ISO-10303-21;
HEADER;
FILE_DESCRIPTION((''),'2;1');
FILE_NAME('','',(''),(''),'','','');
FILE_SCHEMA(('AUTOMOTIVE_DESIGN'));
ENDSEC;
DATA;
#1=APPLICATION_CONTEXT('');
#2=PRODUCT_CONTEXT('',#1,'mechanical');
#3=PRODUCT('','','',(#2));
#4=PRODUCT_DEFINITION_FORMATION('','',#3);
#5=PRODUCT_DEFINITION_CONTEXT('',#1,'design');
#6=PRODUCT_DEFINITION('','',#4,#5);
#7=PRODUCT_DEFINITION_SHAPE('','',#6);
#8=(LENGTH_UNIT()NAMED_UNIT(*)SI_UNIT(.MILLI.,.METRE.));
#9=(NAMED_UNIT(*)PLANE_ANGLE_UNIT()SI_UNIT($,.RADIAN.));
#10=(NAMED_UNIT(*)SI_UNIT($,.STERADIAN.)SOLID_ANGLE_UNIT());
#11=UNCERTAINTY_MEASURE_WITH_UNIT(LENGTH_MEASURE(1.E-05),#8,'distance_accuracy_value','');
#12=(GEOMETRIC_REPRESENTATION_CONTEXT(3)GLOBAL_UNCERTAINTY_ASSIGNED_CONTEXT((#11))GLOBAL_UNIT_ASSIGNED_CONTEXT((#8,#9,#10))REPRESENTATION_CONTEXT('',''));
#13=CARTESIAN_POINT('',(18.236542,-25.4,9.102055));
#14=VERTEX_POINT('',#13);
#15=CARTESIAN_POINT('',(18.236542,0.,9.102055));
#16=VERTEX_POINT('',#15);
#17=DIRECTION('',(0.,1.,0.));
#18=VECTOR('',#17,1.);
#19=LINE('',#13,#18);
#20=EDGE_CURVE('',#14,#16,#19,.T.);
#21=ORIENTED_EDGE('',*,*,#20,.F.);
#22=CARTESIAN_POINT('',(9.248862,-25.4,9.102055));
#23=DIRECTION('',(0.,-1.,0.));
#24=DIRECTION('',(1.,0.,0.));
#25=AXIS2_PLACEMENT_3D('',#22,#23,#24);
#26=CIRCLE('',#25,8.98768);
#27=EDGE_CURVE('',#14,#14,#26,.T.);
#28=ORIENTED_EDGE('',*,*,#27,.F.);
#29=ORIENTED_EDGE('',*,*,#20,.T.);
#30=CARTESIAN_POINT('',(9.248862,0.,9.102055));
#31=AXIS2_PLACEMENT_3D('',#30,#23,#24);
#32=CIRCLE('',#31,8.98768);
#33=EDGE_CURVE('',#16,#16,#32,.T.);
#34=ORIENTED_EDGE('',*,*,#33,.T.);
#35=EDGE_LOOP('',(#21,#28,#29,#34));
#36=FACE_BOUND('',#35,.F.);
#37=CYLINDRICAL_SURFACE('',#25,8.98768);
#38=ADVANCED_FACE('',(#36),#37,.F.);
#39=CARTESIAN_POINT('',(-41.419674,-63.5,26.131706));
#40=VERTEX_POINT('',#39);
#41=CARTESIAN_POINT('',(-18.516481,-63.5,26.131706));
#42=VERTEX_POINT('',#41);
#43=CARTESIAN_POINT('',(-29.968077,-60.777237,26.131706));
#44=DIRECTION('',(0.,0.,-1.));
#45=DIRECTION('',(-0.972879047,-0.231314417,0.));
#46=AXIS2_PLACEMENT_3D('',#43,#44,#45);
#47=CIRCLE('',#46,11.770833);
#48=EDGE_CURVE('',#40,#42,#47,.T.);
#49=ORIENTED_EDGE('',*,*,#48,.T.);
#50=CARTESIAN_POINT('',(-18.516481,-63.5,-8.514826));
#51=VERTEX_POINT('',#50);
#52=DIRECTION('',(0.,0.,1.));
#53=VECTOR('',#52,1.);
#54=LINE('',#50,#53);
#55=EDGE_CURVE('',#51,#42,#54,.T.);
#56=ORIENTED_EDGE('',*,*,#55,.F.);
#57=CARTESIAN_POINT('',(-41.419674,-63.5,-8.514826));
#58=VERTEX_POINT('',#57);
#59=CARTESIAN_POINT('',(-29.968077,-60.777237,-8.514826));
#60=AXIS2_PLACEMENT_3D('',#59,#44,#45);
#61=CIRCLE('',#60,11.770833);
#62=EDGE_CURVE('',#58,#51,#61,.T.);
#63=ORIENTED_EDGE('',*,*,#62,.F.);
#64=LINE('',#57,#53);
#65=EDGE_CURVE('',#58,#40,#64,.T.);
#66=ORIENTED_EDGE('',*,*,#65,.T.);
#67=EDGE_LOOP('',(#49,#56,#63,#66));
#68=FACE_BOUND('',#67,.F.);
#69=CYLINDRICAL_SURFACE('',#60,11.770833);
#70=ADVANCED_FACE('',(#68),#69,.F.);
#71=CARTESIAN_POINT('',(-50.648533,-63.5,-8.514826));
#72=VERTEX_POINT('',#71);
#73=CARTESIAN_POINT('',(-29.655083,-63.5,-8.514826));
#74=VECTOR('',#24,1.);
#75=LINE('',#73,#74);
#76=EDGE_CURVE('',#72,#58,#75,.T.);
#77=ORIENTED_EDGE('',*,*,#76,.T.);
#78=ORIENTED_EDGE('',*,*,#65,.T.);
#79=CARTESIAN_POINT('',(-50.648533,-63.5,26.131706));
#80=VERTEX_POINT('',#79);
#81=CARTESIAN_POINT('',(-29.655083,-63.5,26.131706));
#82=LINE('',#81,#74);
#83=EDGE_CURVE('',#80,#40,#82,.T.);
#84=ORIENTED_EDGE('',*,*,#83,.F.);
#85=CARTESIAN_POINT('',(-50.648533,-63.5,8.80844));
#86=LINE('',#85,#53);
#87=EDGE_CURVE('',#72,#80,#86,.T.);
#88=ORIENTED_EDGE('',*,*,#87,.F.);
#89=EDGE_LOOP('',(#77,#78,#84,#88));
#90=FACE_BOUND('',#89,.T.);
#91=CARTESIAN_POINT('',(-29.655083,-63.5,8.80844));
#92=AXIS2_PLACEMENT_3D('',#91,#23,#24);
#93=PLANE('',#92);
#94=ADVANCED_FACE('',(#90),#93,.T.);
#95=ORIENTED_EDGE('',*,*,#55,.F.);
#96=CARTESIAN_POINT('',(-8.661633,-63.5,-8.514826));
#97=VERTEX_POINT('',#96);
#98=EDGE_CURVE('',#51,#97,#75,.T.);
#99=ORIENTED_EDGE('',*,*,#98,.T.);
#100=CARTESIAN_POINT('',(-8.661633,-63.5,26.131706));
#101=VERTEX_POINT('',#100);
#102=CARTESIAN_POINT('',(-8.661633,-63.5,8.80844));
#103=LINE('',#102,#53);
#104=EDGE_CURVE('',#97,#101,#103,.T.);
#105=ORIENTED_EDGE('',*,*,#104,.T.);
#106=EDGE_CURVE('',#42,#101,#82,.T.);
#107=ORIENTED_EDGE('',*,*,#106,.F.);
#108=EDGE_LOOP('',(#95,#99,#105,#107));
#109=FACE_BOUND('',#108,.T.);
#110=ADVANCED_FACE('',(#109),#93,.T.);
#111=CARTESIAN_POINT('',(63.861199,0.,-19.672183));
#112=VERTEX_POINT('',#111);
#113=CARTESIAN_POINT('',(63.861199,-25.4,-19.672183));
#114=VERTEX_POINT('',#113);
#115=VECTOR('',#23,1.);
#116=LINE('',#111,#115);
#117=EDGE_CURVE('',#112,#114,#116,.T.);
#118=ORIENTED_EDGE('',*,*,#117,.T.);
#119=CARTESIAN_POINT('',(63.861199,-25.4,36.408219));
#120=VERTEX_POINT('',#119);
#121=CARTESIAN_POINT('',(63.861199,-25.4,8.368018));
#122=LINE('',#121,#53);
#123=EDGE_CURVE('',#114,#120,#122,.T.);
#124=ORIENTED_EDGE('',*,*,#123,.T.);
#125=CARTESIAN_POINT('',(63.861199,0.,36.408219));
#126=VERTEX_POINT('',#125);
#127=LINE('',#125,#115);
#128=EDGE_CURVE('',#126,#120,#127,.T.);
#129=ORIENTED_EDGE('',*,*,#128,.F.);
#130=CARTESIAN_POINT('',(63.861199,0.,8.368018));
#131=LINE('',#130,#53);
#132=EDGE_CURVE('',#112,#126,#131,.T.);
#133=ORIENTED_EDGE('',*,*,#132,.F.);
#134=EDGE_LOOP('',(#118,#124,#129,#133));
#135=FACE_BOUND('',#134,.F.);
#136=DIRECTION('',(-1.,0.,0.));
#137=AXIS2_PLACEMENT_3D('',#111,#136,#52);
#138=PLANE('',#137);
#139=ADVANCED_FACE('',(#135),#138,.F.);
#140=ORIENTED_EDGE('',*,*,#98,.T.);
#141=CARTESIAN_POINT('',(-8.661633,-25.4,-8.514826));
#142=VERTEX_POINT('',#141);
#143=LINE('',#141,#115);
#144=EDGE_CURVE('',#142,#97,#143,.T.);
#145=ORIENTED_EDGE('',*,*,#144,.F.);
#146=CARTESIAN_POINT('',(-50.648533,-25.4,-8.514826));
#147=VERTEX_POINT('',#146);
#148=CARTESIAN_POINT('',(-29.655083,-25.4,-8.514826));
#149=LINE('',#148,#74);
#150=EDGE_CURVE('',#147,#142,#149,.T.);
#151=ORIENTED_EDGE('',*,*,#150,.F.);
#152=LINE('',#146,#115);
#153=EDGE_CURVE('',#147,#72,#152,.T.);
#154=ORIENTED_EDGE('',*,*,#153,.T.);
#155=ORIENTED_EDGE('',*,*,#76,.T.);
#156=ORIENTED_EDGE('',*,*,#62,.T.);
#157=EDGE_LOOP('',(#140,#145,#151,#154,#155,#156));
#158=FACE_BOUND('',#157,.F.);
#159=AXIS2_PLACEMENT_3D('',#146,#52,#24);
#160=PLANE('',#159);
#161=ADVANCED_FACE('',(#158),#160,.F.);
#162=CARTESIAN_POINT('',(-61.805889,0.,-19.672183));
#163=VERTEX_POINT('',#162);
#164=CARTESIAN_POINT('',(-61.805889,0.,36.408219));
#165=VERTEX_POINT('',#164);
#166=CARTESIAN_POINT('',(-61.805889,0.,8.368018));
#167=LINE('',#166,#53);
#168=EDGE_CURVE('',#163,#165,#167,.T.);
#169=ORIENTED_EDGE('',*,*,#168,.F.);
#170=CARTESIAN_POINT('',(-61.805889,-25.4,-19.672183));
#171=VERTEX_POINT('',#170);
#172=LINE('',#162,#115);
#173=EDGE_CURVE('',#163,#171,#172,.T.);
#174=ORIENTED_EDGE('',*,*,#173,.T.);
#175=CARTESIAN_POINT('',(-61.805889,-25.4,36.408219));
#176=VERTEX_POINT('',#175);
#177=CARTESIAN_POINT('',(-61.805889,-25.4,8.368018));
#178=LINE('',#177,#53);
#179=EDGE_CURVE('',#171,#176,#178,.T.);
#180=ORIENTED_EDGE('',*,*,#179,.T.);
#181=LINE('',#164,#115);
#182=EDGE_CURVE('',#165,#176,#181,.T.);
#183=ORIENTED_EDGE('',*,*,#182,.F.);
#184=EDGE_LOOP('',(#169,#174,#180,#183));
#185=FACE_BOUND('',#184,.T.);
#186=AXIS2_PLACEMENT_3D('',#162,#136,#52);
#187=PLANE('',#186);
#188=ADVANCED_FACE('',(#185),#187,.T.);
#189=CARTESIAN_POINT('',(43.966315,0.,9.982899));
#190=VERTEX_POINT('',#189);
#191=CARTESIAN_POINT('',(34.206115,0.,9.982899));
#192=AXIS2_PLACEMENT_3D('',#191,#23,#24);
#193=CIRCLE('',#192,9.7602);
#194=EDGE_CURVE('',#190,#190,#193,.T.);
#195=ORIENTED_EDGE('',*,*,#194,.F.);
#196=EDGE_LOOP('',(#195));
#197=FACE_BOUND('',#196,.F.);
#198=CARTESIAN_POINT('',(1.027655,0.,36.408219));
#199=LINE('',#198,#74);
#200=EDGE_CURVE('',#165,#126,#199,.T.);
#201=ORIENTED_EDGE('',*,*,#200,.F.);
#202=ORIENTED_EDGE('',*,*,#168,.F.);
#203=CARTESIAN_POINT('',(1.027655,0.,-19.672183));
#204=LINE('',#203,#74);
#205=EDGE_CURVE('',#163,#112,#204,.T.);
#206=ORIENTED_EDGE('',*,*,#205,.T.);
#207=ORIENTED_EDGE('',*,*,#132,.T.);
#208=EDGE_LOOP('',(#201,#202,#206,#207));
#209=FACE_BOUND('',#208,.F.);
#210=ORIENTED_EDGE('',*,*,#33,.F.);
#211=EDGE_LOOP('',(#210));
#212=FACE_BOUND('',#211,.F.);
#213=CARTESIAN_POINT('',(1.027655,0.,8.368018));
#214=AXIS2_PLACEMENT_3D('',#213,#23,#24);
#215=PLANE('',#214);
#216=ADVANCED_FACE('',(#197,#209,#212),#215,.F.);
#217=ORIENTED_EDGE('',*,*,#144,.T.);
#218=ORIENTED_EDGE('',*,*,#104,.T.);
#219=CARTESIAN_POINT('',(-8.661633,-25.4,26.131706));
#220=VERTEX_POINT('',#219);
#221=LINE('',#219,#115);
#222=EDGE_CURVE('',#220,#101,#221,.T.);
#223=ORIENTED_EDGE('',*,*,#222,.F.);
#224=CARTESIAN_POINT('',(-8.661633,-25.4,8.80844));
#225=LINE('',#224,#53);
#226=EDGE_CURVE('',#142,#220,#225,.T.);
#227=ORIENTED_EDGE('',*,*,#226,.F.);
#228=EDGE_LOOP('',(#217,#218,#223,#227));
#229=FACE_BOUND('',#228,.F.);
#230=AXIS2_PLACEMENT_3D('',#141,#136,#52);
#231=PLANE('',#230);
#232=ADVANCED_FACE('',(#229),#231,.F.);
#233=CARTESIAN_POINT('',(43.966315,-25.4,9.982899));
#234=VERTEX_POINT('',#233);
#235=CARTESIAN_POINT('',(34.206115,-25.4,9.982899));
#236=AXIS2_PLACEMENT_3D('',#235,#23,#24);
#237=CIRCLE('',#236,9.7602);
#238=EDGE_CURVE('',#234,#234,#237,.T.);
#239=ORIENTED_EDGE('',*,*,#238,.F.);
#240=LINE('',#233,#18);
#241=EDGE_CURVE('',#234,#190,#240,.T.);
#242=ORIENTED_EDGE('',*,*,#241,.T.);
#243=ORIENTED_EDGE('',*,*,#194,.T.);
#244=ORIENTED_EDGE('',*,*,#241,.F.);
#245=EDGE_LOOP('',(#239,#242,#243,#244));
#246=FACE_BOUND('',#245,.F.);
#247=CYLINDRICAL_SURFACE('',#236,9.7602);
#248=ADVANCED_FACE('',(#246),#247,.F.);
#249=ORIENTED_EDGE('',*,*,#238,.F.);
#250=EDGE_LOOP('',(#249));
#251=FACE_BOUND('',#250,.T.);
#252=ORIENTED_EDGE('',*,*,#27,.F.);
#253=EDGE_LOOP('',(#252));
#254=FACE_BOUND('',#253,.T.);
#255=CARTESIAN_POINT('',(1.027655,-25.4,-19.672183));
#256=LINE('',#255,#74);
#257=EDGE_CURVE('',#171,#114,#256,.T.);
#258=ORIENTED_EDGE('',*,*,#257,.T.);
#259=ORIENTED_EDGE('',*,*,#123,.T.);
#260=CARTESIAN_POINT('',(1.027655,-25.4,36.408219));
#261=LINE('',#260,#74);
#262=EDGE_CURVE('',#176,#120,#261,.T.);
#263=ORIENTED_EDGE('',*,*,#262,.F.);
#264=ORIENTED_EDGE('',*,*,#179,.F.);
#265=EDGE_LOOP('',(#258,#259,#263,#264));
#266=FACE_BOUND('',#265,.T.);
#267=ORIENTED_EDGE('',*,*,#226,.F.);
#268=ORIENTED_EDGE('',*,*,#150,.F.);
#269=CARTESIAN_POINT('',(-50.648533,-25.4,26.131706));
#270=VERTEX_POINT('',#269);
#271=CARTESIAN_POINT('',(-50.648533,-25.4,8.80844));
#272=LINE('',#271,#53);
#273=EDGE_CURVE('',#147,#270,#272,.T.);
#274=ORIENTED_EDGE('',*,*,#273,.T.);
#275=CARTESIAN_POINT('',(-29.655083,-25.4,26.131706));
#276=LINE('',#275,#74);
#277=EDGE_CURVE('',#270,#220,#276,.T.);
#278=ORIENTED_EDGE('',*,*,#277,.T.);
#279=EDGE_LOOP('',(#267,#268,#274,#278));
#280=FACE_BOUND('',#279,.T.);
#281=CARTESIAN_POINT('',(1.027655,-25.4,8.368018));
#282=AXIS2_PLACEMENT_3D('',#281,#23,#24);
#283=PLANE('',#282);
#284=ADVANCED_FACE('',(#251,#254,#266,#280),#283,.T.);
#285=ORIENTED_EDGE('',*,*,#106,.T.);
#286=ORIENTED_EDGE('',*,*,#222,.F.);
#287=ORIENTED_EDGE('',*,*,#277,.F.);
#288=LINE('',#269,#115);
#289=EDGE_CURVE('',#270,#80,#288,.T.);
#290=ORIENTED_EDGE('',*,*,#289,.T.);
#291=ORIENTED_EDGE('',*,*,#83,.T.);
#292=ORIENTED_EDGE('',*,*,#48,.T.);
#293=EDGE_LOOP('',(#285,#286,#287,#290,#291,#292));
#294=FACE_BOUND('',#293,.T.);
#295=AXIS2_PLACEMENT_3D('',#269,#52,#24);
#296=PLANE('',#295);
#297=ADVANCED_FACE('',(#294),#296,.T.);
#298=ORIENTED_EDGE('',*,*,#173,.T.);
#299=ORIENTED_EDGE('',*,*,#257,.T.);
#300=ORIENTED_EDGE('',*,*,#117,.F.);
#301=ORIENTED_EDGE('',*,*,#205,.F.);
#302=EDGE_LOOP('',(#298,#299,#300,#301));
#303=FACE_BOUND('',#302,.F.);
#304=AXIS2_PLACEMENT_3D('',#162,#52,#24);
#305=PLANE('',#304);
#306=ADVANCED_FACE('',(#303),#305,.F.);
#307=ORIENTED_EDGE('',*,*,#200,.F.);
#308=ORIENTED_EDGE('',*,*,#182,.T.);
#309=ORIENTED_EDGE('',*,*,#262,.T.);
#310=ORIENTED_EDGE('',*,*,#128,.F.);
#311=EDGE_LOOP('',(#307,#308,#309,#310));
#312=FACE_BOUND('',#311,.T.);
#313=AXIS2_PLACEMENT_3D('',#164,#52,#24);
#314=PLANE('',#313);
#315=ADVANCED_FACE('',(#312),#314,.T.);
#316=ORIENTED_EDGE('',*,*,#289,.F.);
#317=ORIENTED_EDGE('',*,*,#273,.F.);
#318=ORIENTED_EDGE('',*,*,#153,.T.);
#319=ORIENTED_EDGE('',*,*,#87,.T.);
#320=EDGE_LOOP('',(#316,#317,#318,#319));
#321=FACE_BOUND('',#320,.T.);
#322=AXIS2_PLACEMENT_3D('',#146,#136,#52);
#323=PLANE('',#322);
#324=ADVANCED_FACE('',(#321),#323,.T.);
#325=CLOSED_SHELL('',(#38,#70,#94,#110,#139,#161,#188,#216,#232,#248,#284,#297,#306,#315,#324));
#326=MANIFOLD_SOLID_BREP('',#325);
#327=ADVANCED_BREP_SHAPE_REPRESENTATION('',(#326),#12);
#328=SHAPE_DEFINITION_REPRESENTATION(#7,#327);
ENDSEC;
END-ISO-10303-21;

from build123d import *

# Parameters (mm, degrees)
F0_W     = 125.667088
F0_H     = 56.080402
F1_DEPTH = 25.4
F2_W     = 41.9869
F2_H     = 34.646532
F3_DEPTH = 38.1
F5_DEPTH = 50.8
F6_R     = 8.98768
F6_R_2   = 9.7602
F7_DEPTH = 50.8


with BuildPart() as f1:
    # F0 (on Front) → F1 (new body)
    with BuildSketch(Plane.XZ):
        with Locations((1.027655, 8.368018)):
            Rectangle(F0_W, F0_H)
    extrude(amount=F1_DEPTH)

    # F2 (on face) → F3 (join)
    with BuildSketch(Plane.XZ.offset(25.4)):
        with Locations((-29.655083, 8.80844)):
            Rectangle(F2_W, F2_H)
    extrude(amount=F3_DEPTH)

    # F4 (on face) → F5 (cut)
    with BuildSketch(Plane(origin=(0, 0, -8.514826), x_dir=(1, 0, 0), z_dir=(0, 0, -1))):
        with BuildLine():
            Line((-18.516481, 63.5), (-41.419674, 63.5))
            ThreePointArc((-41.419674, 63.5), (-29.968077, 49.006404), (-18.516481, 63.5))
        make_face()
    extrude(amount=-F5_DEPTH, mode=Mode.SUBTRACT)

    # F6 (on face) → F7 (cut)
    with BuildSketch(Plane.XZ.offset(25.4)):
        with Locations((9.248862, 9.102055)):
            Circle(F6_R)
        with Locations((34.206115, 9.982899)):
            Circle(F6_R_2)
    extrude(amount=-F7_DEPTH, mode=Mode.SUBTRACT)


solid = f1.part
